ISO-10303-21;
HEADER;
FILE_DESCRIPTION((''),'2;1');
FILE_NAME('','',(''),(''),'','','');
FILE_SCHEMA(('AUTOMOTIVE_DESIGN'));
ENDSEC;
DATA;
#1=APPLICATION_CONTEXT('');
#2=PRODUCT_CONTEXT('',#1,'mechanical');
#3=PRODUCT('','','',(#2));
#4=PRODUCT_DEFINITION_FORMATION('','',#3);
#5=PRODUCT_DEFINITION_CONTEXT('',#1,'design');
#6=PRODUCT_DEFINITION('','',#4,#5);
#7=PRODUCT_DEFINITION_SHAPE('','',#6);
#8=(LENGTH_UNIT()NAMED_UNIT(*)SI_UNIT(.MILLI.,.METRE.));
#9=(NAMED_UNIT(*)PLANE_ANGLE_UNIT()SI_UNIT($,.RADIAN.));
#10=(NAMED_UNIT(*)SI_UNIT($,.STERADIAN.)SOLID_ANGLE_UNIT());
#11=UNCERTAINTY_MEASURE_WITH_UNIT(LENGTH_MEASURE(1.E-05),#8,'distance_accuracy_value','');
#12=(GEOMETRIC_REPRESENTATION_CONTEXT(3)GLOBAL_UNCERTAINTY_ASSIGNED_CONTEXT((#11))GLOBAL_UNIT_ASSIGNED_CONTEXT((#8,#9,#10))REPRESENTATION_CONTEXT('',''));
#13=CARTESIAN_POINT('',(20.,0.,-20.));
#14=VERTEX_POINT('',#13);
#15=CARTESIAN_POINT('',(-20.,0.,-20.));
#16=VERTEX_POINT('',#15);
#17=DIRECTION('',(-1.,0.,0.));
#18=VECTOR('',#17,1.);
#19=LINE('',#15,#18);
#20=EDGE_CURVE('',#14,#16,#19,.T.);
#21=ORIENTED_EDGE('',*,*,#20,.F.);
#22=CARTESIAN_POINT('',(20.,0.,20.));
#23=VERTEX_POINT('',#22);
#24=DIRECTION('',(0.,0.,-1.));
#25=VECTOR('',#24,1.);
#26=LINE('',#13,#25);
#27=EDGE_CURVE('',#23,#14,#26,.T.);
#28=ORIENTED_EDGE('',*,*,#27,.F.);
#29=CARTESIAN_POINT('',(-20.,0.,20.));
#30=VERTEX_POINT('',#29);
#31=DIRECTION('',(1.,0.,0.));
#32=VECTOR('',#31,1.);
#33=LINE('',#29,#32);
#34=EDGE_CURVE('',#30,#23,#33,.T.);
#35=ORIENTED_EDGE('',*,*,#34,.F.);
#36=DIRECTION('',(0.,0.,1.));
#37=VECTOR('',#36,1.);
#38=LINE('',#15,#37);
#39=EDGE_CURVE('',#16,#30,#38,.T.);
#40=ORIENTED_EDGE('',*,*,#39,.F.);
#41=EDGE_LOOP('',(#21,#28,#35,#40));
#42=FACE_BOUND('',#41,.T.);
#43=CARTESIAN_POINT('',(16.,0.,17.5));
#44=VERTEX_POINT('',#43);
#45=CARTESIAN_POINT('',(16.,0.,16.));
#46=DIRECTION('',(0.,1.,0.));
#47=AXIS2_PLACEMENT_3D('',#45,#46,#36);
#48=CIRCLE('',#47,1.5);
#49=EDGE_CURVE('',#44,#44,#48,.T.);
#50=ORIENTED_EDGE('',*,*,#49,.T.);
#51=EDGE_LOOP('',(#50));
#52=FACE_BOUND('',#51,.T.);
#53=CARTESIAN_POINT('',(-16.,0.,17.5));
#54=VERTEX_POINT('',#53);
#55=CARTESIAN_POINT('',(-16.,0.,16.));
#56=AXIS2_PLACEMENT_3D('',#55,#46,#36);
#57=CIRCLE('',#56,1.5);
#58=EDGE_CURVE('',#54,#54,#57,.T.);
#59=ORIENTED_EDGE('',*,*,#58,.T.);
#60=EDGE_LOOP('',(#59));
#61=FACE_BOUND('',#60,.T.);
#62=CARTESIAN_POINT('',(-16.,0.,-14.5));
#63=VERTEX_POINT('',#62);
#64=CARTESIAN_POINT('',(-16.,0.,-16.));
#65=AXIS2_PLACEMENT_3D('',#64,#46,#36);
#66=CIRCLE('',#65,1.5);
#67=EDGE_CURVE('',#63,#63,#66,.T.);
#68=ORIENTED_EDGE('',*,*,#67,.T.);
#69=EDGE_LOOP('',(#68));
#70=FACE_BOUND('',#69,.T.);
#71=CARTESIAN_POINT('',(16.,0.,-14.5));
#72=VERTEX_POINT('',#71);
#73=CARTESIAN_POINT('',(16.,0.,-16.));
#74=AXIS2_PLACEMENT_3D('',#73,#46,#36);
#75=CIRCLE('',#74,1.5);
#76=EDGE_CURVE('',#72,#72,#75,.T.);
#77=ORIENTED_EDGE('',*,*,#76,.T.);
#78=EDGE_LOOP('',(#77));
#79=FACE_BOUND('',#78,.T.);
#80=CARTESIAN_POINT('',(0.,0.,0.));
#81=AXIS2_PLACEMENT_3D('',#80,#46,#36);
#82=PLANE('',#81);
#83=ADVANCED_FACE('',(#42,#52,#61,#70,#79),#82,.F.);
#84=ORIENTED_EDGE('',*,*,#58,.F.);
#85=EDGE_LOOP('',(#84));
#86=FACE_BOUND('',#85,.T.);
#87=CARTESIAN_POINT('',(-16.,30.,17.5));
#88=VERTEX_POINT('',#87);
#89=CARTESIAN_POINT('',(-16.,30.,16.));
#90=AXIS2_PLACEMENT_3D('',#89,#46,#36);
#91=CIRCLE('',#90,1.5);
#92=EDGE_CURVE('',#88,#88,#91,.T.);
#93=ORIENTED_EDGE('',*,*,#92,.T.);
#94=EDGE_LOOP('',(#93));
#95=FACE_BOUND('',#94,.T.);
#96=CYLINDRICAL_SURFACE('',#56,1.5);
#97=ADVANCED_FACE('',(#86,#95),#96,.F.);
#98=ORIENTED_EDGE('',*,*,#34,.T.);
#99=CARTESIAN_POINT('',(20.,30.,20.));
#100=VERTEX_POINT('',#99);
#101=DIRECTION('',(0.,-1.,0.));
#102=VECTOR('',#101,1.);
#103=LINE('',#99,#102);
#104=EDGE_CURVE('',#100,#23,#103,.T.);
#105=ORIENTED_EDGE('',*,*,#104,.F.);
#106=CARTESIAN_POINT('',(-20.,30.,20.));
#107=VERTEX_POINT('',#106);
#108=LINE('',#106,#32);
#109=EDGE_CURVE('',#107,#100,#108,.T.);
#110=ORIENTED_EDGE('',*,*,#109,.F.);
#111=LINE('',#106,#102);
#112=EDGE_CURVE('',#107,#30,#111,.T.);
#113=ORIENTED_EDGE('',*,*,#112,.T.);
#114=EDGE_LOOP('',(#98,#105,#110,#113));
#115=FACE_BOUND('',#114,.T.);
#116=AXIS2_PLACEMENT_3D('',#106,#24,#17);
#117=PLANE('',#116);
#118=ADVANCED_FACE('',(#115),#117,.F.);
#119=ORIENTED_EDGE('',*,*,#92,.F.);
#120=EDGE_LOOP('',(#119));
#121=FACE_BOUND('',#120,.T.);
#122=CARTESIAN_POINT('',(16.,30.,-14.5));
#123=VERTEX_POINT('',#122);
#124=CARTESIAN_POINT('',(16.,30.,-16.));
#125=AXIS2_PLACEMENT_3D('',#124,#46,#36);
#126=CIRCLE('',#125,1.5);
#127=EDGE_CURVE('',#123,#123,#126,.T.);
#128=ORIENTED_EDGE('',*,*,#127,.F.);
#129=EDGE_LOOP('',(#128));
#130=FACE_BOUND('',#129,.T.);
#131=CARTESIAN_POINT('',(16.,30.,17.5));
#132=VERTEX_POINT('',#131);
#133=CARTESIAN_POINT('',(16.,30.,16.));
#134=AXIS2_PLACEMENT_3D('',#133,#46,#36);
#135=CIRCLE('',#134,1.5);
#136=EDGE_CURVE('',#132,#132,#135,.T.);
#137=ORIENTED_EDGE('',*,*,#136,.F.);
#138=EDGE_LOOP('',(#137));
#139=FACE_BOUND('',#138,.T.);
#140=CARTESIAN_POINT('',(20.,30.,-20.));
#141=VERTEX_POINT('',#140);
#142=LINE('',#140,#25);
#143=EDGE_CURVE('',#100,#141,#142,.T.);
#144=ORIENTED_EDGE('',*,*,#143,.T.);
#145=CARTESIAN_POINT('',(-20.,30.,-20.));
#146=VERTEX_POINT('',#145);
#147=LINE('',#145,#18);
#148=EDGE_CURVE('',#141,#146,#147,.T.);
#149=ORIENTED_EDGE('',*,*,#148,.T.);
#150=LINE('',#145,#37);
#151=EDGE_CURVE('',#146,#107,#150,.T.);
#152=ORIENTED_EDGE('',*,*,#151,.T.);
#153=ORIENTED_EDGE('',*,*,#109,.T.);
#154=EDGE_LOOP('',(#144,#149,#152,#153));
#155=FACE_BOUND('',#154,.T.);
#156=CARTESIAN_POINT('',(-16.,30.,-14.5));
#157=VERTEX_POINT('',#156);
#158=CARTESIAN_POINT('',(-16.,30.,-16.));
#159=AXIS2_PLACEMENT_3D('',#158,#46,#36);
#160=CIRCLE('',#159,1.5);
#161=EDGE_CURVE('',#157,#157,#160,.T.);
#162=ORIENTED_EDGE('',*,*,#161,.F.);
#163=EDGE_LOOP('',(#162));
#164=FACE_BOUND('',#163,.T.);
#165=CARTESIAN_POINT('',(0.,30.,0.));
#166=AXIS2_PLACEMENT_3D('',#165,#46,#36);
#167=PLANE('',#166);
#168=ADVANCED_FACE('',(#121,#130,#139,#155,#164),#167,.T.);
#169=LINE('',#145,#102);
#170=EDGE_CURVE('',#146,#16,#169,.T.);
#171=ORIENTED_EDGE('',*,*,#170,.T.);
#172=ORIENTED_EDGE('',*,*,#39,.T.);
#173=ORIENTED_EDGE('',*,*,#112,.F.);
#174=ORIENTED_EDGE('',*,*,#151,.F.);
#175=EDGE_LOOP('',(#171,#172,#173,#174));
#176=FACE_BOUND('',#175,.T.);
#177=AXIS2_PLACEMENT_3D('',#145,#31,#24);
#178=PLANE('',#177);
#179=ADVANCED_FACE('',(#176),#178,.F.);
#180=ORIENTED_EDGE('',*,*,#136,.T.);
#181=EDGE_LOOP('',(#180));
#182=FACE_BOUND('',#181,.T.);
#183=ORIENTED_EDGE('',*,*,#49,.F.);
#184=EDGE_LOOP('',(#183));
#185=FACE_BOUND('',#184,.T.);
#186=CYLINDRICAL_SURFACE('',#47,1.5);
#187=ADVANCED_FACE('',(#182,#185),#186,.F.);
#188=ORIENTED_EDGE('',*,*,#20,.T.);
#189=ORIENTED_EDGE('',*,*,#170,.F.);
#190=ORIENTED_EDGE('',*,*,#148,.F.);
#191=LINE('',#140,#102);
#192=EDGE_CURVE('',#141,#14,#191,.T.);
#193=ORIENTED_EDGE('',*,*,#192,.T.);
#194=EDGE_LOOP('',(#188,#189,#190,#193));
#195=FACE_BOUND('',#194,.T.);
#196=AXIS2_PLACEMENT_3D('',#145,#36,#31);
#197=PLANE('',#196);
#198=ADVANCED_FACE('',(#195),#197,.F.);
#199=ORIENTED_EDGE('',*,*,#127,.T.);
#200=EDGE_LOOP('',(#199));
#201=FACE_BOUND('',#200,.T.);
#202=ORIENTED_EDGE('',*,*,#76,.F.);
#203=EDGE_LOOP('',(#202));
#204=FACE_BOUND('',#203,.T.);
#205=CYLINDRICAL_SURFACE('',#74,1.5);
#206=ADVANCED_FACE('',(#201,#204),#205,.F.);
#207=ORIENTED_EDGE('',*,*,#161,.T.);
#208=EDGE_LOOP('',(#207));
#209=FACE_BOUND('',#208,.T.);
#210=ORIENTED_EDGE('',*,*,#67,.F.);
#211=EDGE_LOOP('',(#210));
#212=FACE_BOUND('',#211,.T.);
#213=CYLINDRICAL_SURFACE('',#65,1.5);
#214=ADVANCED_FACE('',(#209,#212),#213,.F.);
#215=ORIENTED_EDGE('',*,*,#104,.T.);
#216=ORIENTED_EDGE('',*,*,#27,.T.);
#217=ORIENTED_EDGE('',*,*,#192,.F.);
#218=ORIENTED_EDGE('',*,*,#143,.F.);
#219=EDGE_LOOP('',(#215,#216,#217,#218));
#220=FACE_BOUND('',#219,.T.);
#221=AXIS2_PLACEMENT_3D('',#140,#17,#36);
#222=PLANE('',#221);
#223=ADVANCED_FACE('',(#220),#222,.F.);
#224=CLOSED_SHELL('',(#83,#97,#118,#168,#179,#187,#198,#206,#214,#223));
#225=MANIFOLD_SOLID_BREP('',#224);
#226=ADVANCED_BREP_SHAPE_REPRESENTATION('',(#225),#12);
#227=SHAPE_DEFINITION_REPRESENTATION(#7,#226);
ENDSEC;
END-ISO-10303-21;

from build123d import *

# Parameters (mm, degrees)
SKETCH_1_W          = 40
SKETCH_1_H          = 40
EXTRUDE_1_DEPTH     = 30
SKETCH_2_R          = 1.5
CUT_EXTRUDE_1_DEPTH = 42.231056256


with BuildPart() as part:
    # 草图1 → 凸台-拉伸1 (new body)
    with BuildSketch(Plane(origin=(0, 0, 0), x_dir=(1, 0, 0), z_dir=(0, 1, 0))):
        Rectangle(SKETCH_1_W, SKETCH_1_H)
    extrude(amount=EXTRUDE_1_DEPTH)

    # 草图2 → 切除-拉伸1 (cut, through all)
    with BuildSketch(Plane(origin=(0, 30, 0), x_dir=(1, 0, 0), z_dir=(0, 1, 0))):
        with Locations(Location((-16, 16, 0), (0, 0, 270))):
            Circle(SKETCH_2_R)
        with Locations(Location((16, 16, 0), (0, 0, 270))):
            Circle(SKETCH_2_R)
        with Locations(Location((16, -16, 0), (0, 0, 270))):
            Circle(SKETCH_2_R)
        with Locations(Location((-16, -16, 0), (0, 0, 270))):
            Circle(SKETCH_2_R)
    extrude(amount=-CUT_EXTRUDE_1_DEPTH, mode=Mode.SUBTRACT)


solid = part.part
